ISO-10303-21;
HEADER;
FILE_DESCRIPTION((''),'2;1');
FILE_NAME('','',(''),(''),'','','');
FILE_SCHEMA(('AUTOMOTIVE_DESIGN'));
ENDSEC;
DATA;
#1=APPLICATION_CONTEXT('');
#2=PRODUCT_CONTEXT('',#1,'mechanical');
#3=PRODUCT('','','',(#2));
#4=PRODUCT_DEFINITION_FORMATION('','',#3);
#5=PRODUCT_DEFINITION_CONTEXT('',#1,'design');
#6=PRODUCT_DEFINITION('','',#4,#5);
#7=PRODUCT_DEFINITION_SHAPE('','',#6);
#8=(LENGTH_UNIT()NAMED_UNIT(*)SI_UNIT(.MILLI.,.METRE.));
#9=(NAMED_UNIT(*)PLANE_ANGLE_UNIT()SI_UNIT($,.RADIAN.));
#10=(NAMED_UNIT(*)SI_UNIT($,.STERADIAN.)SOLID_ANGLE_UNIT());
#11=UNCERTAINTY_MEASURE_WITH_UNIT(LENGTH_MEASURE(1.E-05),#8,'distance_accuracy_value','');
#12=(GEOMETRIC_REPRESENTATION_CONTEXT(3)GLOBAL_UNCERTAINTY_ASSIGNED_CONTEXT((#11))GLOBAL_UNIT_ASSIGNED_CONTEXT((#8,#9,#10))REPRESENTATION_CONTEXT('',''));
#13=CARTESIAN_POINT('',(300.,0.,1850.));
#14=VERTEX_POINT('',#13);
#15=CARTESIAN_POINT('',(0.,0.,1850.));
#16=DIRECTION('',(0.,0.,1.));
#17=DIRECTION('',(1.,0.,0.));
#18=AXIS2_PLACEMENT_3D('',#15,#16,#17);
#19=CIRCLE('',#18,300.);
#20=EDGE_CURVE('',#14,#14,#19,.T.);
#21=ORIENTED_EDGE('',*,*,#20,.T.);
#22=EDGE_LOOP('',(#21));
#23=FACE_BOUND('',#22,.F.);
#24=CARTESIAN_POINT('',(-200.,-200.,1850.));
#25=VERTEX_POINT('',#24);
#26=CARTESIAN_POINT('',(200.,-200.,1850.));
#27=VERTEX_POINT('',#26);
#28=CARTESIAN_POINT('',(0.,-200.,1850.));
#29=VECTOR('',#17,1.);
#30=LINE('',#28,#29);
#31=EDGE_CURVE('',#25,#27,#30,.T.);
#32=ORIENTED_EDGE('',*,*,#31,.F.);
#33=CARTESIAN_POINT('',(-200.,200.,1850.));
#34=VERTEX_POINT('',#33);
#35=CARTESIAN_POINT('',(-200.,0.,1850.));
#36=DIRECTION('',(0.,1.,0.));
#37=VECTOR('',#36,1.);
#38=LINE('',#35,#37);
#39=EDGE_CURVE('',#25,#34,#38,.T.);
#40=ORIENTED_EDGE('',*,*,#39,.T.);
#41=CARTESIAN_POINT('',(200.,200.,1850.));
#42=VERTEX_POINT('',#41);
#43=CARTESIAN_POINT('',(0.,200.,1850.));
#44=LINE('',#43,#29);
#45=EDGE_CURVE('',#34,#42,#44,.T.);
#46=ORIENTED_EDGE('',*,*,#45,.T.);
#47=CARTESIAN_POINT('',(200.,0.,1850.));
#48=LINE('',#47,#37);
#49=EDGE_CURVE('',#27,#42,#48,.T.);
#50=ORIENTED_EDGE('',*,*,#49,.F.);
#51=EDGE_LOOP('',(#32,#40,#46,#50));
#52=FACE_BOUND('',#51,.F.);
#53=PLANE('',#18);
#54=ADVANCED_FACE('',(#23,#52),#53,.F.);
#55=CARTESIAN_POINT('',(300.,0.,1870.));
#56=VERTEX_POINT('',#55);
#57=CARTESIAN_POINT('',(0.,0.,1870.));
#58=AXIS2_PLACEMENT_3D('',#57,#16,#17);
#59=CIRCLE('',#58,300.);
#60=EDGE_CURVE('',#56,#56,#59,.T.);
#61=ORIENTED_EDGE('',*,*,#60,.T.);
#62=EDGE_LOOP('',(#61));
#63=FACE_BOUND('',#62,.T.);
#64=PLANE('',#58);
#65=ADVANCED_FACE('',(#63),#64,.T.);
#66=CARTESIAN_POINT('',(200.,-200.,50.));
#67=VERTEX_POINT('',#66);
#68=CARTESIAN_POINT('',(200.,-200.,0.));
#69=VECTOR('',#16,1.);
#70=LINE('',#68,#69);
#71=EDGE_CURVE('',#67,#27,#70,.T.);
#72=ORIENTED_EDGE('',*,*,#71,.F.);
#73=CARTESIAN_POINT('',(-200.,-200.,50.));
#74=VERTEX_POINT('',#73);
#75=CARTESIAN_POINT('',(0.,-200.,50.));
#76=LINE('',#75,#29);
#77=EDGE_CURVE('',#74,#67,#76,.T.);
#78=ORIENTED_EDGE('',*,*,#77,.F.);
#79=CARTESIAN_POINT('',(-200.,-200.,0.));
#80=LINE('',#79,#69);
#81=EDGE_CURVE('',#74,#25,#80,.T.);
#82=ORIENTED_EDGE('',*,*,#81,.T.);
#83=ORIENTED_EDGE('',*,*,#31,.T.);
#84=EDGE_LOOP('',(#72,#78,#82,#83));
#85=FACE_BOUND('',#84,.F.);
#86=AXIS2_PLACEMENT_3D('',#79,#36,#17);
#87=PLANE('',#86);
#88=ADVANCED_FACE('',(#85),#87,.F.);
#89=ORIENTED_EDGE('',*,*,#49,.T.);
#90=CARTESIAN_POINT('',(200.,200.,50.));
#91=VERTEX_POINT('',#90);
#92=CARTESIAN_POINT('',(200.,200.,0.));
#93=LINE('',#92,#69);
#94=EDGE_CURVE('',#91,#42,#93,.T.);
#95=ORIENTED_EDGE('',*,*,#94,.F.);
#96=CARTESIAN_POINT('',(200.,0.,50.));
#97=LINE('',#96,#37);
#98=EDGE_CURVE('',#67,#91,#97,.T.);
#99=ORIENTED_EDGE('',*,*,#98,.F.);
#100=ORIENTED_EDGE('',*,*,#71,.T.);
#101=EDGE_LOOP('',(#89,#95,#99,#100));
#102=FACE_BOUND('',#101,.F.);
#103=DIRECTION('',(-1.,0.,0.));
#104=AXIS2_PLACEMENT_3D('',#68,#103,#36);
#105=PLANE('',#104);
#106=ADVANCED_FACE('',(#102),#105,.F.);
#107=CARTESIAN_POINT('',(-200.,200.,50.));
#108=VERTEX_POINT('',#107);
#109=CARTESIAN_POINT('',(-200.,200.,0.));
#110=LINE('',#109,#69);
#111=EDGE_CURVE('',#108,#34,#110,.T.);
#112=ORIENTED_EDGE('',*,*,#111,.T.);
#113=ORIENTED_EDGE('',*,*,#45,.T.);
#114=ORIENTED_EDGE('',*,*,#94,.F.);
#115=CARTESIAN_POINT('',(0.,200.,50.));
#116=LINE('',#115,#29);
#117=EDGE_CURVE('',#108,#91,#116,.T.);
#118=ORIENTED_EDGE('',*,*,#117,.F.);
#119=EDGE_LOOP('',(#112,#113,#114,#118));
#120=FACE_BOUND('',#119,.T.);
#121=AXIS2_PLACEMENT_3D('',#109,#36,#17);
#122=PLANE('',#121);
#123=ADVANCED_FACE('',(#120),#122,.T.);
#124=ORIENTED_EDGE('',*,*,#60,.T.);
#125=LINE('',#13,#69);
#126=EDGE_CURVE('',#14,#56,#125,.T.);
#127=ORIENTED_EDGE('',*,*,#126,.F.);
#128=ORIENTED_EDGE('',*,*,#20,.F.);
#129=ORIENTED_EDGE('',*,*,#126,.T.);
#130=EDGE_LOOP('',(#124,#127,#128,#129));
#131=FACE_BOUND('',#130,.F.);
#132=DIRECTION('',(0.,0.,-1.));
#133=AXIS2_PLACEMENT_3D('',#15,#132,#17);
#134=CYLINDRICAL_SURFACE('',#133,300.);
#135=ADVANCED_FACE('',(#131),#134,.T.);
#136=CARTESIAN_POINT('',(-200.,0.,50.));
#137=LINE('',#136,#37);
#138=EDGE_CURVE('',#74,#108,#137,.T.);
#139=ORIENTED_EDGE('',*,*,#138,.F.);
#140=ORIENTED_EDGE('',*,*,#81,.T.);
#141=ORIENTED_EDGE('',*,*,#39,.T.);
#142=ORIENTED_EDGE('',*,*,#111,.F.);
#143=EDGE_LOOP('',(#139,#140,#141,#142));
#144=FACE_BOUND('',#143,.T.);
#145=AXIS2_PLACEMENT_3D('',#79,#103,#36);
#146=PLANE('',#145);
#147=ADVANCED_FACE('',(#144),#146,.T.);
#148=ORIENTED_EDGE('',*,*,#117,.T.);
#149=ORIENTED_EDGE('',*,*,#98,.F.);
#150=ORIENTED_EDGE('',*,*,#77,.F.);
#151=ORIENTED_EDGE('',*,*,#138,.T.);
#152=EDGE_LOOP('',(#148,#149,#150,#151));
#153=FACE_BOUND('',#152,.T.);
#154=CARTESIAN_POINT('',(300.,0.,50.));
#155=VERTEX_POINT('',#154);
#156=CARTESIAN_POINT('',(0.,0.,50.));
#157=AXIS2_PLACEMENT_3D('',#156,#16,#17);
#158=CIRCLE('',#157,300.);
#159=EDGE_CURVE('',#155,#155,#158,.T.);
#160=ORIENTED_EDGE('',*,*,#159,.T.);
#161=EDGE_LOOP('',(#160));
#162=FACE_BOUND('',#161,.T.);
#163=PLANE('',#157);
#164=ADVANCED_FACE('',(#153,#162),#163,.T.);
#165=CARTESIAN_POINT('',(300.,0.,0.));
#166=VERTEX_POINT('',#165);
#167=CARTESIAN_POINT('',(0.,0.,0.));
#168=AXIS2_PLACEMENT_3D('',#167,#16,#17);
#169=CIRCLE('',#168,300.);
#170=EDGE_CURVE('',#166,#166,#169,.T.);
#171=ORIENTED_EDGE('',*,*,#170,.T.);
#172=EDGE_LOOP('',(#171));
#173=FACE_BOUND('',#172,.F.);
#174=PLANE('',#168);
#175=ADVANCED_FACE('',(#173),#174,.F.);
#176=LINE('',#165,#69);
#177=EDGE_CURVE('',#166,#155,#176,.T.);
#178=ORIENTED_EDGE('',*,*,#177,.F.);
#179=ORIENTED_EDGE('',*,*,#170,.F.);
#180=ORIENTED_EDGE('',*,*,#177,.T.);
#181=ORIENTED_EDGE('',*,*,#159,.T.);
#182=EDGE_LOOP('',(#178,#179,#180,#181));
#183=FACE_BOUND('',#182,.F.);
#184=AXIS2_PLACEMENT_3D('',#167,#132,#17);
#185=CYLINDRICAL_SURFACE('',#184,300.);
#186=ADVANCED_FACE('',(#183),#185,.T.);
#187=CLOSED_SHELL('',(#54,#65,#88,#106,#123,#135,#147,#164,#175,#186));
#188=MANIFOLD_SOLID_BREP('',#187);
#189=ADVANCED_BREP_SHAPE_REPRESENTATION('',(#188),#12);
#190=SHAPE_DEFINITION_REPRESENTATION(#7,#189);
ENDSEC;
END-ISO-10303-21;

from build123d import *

# Parameters (mm, degrees)
F1_START = 1850
F0_R     = 300
F0_W     = 400
F0_H     = 400
F1_DEPTH = 20
F2_DEPTH = 1850
F3_DEPTH = 50


with BuildPart() as f1:
    # F0 (on Top) → F1 (new body)
    with BuildSketch(Plane.XY.offset(F1_START)):
        Circle(F0_R)
        Rectangle(F0_W, F0_H, mode=Mode.SUBTRACT)
        Rectangle(F0_W, F0_H)
    extrude(amount=F1_DEPTH)

    # F0 (on Top) → F2 (join)
    with BuildSketch(Plane.XY):
        Rectangle(F0_W, F0_H)
    extrude(amount=F2_DEPTH)

    # F0 (on Top) → F3 (join)
    with BuildSketch(Plane.XY):
        Circle(F0_R)
        Rectangle(F0_W, F0_H, mode=Mode.SUBTRACT)
    extrude(amount=F3_DEPTH)


solid = f1.part
